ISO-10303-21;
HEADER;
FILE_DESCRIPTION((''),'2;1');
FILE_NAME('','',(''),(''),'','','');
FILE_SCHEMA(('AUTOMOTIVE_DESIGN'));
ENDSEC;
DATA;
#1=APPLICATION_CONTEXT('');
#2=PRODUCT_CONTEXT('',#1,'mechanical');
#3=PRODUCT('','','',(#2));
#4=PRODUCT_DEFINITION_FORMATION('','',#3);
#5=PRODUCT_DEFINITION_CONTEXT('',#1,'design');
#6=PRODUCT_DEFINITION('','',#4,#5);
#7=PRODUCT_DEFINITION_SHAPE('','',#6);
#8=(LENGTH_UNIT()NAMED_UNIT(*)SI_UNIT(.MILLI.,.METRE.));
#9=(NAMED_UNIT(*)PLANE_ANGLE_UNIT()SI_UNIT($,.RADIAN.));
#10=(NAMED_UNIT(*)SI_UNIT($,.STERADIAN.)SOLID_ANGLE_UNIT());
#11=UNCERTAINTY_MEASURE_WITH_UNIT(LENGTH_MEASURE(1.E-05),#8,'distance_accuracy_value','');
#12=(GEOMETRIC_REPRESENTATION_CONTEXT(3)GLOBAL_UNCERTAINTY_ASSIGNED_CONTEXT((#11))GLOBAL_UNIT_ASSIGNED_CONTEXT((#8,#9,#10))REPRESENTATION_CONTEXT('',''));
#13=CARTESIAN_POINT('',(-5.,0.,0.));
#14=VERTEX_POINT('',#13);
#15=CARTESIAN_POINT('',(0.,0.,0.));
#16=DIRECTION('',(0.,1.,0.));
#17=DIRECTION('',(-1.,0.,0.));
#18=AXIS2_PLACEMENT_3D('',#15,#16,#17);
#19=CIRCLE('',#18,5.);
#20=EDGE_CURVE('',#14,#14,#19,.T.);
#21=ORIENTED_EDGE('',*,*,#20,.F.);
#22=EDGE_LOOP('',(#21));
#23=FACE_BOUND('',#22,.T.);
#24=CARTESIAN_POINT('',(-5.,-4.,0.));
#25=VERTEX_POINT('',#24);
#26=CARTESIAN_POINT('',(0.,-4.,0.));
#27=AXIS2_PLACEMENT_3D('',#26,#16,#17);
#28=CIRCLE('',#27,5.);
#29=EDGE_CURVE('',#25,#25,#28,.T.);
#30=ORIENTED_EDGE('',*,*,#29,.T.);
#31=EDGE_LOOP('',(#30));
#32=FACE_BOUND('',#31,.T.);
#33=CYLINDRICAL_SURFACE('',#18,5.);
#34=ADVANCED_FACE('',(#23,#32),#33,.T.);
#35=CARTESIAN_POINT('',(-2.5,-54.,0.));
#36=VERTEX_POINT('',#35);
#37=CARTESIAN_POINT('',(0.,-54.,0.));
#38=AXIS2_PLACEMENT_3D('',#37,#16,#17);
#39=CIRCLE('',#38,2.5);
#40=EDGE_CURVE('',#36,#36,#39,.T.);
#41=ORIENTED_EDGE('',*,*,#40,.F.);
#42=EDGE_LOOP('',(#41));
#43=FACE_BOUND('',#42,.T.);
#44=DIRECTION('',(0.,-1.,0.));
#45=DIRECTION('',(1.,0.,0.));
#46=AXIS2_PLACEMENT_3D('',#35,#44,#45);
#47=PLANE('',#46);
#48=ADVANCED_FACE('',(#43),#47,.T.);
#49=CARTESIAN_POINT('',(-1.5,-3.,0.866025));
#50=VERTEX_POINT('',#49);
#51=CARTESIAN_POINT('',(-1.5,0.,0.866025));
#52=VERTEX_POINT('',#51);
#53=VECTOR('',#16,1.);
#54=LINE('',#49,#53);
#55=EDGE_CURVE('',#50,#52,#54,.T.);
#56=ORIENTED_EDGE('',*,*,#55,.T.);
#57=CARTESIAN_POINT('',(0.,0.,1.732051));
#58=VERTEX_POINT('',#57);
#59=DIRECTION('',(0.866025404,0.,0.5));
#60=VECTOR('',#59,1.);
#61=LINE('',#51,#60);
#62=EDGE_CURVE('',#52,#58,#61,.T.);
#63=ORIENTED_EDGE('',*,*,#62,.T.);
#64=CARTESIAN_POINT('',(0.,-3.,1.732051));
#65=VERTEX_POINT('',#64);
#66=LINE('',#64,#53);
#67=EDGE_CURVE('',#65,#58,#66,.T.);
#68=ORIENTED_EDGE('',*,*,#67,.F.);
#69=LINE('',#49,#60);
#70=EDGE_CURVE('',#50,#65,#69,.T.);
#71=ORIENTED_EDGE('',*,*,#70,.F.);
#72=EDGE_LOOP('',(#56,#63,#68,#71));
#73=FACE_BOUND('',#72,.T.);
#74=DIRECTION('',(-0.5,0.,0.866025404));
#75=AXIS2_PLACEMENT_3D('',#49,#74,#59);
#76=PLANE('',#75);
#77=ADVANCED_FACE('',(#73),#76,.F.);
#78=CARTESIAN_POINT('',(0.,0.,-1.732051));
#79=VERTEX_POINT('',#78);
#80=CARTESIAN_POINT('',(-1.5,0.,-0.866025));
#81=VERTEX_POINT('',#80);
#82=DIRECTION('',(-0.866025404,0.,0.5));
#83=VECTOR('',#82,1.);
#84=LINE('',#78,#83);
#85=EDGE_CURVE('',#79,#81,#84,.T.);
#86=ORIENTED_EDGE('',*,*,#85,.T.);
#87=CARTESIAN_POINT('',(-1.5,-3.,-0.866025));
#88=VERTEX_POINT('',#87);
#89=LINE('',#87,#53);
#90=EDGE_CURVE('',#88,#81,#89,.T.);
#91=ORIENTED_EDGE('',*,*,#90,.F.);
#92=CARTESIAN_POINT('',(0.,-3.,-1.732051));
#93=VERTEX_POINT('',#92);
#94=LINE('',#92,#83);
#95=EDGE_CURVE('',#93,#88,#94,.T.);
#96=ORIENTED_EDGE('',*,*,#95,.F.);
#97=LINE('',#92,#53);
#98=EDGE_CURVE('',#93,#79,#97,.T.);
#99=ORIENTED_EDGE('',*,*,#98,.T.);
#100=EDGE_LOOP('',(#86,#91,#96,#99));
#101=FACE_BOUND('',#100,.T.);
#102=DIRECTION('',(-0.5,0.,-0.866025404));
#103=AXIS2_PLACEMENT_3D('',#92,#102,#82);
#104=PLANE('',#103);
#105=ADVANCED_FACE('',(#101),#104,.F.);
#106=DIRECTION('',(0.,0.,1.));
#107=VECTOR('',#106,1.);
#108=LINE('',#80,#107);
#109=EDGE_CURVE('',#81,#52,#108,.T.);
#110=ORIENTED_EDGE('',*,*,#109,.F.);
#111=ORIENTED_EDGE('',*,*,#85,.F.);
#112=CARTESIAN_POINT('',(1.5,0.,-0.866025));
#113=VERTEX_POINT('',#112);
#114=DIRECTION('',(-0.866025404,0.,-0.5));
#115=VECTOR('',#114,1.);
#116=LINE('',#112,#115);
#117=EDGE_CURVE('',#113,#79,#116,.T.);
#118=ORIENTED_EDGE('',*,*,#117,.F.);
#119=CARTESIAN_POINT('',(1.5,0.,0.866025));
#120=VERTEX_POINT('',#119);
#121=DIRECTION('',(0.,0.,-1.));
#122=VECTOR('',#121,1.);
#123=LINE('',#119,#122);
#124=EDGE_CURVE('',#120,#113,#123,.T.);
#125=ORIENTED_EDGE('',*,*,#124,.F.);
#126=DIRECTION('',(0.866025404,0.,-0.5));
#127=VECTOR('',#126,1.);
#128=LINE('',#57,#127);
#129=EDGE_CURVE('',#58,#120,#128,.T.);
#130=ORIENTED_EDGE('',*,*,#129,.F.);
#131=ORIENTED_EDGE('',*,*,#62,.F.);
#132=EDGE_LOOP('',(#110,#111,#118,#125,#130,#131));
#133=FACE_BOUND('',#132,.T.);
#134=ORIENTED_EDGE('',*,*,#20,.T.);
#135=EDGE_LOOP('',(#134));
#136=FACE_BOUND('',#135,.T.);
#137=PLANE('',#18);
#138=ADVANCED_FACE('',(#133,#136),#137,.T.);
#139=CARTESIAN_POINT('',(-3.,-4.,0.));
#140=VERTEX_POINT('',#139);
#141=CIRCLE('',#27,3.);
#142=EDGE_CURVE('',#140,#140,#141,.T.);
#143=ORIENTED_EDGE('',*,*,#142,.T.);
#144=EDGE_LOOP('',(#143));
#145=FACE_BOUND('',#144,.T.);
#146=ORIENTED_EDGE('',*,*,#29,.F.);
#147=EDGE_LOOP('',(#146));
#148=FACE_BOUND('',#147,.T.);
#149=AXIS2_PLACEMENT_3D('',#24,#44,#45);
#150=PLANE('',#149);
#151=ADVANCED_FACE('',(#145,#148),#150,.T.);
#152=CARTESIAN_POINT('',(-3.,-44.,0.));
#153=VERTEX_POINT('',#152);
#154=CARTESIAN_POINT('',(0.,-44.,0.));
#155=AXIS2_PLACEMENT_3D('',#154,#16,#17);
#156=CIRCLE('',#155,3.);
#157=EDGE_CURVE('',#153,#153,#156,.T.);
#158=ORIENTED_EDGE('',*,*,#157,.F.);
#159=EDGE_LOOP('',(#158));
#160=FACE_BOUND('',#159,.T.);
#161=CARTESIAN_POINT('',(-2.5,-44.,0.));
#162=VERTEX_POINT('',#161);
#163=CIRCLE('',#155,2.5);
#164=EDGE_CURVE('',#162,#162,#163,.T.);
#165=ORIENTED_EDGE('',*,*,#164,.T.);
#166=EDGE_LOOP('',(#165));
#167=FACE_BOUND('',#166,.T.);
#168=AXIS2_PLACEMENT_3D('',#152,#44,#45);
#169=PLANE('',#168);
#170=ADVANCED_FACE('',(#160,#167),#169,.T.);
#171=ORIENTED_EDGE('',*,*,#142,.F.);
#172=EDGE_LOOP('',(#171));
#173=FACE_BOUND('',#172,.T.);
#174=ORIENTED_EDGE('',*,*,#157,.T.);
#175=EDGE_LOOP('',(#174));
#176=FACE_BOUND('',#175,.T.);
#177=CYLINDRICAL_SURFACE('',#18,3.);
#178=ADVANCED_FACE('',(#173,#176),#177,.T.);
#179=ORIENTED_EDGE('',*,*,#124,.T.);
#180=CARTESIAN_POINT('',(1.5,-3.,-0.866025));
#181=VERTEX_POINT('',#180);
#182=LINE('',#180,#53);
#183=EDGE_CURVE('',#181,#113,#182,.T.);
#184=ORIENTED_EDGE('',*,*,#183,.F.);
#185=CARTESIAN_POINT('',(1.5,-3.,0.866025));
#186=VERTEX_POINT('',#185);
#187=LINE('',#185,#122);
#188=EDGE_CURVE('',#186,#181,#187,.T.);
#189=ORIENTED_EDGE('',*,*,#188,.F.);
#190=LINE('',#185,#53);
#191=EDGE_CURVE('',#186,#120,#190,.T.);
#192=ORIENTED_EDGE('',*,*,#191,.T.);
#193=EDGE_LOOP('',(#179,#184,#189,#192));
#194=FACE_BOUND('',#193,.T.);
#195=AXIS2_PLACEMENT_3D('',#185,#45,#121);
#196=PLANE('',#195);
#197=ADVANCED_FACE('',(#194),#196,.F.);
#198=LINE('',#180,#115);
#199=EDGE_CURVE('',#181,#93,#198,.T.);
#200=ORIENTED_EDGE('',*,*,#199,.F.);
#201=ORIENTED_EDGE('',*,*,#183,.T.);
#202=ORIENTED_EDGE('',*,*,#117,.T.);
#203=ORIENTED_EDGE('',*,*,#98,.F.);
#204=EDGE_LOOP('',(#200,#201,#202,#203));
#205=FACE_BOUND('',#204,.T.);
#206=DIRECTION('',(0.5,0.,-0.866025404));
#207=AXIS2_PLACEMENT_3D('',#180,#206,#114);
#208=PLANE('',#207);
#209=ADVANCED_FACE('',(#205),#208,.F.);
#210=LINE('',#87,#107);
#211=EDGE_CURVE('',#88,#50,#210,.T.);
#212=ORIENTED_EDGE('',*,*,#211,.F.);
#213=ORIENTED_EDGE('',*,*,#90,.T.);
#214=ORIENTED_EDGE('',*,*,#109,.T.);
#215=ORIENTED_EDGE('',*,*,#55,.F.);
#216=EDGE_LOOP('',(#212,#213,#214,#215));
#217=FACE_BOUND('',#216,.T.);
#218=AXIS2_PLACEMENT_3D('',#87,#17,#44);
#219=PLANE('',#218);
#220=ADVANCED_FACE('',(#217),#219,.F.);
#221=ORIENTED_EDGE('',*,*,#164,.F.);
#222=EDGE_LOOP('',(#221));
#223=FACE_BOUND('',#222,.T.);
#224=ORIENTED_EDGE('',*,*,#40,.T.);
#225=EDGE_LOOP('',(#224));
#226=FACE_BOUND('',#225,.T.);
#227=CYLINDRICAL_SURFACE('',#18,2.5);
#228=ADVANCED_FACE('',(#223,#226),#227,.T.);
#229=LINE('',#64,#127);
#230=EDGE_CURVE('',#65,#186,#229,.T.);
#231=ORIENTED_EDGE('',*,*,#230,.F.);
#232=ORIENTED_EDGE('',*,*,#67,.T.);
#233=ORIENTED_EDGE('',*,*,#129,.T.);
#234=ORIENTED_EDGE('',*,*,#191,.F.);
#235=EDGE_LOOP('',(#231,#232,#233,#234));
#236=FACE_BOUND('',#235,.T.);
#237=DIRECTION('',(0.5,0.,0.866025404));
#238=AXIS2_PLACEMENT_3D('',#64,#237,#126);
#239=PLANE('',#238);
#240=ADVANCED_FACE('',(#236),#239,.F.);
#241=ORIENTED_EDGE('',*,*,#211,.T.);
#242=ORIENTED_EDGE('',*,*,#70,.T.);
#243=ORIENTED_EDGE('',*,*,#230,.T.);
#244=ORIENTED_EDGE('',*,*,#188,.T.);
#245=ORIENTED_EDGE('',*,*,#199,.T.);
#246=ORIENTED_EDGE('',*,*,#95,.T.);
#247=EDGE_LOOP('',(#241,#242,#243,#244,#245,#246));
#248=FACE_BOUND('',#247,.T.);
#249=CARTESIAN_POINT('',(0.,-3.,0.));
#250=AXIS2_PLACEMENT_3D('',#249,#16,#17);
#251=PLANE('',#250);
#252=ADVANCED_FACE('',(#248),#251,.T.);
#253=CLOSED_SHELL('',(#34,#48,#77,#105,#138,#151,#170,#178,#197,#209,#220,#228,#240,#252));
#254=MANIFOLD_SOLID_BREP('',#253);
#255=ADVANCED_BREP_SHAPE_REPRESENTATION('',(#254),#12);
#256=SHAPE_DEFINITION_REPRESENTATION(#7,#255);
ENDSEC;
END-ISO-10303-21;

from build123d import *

# Parameters (mm, degrees)
CUT_EXTRUDE2_DEPTH = 3


with BuildPart() as part:
    # Sketch3 → Revolve2 (revolve)
    with BuildSketch(Plane.XY):
        Polygon((0, 0), (-5, 0), (-5, -4), (-3, -4), (-3, -44), (-2.5, -44), (-2.5, -54), (0, -54), align=None)
    revolve(axis=Axis((0, 0, 0), (0, -1, 0)))

    # Sketch4 → Cut-Extrude2 (cut)
    with BuildSketch(Plane(origin=(0, 0, 0), x_dir=(1, 0, 0), z_dir=(0, 1, 0))):
        Polygon((1.5, 0.866025404), (0, 1.732050808), (-1.5, 0.866025404), (-1.5, -0.866025404), (0, -1.732050808), (1.5, -0.866025404), align=None)
    extrude(amount=-CUT_EXTRUDE2_DEPTH, mode=Mode.SUBTRACT)


solid = part.part
